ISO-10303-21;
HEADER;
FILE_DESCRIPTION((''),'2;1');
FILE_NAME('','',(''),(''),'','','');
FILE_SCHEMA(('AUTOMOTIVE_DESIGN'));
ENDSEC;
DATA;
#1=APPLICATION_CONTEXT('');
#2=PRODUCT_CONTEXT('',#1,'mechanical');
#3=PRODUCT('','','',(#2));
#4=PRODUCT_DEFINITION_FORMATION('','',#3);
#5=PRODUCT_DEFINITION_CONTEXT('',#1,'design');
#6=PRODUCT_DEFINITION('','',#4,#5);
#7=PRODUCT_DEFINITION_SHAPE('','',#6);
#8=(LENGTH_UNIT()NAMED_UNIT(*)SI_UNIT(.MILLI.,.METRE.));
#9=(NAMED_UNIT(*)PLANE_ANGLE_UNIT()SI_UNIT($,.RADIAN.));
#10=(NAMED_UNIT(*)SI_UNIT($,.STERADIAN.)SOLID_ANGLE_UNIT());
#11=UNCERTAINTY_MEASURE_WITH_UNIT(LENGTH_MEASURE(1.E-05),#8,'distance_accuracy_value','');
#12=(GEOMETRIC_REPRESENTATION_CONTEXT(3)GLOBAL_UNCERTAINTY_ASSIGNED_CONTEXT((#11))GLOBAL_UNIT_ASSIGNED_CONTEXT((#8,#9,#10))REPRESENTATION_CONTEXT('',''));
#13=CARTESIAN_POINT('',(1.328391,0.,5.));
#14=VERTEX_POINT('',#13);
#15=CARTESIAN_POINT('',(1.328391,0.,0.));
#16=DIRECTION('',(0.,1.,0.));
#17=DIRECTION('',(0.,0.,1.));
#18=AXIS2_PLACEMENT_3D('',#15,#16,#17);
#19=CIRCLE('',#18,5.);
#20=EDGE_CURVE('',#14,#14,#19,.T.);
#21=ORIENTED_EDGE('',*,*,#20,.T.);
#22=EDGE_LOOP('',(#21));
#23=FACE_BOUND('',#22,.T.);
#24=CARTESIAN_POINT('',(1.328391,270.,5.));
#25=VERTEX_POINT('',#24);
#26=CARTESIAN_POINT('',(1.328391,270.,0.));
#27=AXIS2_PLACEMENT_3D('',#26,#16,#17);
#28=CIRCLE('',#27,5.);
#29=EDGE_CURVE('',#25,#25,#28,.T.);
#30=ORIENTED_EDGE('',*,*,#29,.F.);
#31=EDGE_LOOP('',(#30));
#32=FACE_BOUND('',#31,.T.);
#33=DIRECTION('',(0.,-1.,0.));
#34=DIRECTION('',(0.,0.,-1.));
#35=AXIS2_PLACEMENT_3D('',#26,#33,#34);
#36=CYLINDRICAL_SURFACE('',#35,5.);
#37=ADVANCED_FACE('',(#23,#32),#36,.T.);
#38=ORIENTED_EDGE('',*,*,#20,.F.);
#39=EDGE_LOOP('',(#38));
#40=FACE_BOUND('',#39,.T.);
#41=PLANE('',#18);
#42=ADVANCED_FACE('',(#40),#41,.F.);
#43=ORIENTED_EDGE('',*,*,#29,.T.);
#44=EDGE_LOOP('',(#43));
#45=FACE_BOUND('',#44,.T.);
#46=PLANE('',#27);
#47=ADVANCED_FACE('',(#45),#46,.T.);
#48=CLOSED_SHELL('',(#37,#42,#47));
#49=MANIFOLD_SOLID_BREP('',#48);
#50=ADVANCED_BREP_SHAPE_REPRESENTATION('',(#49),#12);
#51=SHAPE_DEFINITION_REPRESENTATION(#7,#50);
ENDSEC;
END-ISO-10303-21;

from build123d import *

# Parameters (mm, degrees)
SKETCH1_R           = 5
BOSS_EXTRUDE1_DEPTH = 270


with BuildPart() as part:
    # Sketch1 → Boss-Extrude1 (new body)
    with BuildSketch(Plane(origin=(0, 0, 0), x_dir=(1, 0, 0), z_dir=(0, 1, 0))):
        with Locations(Location((1.328390805, 0, 0), (0, 0, 270))):
            Circle(SKETCH1_R)
    extrude(amount=BOSS_EXTRUDE1_DEPTH)


solid = part.part
